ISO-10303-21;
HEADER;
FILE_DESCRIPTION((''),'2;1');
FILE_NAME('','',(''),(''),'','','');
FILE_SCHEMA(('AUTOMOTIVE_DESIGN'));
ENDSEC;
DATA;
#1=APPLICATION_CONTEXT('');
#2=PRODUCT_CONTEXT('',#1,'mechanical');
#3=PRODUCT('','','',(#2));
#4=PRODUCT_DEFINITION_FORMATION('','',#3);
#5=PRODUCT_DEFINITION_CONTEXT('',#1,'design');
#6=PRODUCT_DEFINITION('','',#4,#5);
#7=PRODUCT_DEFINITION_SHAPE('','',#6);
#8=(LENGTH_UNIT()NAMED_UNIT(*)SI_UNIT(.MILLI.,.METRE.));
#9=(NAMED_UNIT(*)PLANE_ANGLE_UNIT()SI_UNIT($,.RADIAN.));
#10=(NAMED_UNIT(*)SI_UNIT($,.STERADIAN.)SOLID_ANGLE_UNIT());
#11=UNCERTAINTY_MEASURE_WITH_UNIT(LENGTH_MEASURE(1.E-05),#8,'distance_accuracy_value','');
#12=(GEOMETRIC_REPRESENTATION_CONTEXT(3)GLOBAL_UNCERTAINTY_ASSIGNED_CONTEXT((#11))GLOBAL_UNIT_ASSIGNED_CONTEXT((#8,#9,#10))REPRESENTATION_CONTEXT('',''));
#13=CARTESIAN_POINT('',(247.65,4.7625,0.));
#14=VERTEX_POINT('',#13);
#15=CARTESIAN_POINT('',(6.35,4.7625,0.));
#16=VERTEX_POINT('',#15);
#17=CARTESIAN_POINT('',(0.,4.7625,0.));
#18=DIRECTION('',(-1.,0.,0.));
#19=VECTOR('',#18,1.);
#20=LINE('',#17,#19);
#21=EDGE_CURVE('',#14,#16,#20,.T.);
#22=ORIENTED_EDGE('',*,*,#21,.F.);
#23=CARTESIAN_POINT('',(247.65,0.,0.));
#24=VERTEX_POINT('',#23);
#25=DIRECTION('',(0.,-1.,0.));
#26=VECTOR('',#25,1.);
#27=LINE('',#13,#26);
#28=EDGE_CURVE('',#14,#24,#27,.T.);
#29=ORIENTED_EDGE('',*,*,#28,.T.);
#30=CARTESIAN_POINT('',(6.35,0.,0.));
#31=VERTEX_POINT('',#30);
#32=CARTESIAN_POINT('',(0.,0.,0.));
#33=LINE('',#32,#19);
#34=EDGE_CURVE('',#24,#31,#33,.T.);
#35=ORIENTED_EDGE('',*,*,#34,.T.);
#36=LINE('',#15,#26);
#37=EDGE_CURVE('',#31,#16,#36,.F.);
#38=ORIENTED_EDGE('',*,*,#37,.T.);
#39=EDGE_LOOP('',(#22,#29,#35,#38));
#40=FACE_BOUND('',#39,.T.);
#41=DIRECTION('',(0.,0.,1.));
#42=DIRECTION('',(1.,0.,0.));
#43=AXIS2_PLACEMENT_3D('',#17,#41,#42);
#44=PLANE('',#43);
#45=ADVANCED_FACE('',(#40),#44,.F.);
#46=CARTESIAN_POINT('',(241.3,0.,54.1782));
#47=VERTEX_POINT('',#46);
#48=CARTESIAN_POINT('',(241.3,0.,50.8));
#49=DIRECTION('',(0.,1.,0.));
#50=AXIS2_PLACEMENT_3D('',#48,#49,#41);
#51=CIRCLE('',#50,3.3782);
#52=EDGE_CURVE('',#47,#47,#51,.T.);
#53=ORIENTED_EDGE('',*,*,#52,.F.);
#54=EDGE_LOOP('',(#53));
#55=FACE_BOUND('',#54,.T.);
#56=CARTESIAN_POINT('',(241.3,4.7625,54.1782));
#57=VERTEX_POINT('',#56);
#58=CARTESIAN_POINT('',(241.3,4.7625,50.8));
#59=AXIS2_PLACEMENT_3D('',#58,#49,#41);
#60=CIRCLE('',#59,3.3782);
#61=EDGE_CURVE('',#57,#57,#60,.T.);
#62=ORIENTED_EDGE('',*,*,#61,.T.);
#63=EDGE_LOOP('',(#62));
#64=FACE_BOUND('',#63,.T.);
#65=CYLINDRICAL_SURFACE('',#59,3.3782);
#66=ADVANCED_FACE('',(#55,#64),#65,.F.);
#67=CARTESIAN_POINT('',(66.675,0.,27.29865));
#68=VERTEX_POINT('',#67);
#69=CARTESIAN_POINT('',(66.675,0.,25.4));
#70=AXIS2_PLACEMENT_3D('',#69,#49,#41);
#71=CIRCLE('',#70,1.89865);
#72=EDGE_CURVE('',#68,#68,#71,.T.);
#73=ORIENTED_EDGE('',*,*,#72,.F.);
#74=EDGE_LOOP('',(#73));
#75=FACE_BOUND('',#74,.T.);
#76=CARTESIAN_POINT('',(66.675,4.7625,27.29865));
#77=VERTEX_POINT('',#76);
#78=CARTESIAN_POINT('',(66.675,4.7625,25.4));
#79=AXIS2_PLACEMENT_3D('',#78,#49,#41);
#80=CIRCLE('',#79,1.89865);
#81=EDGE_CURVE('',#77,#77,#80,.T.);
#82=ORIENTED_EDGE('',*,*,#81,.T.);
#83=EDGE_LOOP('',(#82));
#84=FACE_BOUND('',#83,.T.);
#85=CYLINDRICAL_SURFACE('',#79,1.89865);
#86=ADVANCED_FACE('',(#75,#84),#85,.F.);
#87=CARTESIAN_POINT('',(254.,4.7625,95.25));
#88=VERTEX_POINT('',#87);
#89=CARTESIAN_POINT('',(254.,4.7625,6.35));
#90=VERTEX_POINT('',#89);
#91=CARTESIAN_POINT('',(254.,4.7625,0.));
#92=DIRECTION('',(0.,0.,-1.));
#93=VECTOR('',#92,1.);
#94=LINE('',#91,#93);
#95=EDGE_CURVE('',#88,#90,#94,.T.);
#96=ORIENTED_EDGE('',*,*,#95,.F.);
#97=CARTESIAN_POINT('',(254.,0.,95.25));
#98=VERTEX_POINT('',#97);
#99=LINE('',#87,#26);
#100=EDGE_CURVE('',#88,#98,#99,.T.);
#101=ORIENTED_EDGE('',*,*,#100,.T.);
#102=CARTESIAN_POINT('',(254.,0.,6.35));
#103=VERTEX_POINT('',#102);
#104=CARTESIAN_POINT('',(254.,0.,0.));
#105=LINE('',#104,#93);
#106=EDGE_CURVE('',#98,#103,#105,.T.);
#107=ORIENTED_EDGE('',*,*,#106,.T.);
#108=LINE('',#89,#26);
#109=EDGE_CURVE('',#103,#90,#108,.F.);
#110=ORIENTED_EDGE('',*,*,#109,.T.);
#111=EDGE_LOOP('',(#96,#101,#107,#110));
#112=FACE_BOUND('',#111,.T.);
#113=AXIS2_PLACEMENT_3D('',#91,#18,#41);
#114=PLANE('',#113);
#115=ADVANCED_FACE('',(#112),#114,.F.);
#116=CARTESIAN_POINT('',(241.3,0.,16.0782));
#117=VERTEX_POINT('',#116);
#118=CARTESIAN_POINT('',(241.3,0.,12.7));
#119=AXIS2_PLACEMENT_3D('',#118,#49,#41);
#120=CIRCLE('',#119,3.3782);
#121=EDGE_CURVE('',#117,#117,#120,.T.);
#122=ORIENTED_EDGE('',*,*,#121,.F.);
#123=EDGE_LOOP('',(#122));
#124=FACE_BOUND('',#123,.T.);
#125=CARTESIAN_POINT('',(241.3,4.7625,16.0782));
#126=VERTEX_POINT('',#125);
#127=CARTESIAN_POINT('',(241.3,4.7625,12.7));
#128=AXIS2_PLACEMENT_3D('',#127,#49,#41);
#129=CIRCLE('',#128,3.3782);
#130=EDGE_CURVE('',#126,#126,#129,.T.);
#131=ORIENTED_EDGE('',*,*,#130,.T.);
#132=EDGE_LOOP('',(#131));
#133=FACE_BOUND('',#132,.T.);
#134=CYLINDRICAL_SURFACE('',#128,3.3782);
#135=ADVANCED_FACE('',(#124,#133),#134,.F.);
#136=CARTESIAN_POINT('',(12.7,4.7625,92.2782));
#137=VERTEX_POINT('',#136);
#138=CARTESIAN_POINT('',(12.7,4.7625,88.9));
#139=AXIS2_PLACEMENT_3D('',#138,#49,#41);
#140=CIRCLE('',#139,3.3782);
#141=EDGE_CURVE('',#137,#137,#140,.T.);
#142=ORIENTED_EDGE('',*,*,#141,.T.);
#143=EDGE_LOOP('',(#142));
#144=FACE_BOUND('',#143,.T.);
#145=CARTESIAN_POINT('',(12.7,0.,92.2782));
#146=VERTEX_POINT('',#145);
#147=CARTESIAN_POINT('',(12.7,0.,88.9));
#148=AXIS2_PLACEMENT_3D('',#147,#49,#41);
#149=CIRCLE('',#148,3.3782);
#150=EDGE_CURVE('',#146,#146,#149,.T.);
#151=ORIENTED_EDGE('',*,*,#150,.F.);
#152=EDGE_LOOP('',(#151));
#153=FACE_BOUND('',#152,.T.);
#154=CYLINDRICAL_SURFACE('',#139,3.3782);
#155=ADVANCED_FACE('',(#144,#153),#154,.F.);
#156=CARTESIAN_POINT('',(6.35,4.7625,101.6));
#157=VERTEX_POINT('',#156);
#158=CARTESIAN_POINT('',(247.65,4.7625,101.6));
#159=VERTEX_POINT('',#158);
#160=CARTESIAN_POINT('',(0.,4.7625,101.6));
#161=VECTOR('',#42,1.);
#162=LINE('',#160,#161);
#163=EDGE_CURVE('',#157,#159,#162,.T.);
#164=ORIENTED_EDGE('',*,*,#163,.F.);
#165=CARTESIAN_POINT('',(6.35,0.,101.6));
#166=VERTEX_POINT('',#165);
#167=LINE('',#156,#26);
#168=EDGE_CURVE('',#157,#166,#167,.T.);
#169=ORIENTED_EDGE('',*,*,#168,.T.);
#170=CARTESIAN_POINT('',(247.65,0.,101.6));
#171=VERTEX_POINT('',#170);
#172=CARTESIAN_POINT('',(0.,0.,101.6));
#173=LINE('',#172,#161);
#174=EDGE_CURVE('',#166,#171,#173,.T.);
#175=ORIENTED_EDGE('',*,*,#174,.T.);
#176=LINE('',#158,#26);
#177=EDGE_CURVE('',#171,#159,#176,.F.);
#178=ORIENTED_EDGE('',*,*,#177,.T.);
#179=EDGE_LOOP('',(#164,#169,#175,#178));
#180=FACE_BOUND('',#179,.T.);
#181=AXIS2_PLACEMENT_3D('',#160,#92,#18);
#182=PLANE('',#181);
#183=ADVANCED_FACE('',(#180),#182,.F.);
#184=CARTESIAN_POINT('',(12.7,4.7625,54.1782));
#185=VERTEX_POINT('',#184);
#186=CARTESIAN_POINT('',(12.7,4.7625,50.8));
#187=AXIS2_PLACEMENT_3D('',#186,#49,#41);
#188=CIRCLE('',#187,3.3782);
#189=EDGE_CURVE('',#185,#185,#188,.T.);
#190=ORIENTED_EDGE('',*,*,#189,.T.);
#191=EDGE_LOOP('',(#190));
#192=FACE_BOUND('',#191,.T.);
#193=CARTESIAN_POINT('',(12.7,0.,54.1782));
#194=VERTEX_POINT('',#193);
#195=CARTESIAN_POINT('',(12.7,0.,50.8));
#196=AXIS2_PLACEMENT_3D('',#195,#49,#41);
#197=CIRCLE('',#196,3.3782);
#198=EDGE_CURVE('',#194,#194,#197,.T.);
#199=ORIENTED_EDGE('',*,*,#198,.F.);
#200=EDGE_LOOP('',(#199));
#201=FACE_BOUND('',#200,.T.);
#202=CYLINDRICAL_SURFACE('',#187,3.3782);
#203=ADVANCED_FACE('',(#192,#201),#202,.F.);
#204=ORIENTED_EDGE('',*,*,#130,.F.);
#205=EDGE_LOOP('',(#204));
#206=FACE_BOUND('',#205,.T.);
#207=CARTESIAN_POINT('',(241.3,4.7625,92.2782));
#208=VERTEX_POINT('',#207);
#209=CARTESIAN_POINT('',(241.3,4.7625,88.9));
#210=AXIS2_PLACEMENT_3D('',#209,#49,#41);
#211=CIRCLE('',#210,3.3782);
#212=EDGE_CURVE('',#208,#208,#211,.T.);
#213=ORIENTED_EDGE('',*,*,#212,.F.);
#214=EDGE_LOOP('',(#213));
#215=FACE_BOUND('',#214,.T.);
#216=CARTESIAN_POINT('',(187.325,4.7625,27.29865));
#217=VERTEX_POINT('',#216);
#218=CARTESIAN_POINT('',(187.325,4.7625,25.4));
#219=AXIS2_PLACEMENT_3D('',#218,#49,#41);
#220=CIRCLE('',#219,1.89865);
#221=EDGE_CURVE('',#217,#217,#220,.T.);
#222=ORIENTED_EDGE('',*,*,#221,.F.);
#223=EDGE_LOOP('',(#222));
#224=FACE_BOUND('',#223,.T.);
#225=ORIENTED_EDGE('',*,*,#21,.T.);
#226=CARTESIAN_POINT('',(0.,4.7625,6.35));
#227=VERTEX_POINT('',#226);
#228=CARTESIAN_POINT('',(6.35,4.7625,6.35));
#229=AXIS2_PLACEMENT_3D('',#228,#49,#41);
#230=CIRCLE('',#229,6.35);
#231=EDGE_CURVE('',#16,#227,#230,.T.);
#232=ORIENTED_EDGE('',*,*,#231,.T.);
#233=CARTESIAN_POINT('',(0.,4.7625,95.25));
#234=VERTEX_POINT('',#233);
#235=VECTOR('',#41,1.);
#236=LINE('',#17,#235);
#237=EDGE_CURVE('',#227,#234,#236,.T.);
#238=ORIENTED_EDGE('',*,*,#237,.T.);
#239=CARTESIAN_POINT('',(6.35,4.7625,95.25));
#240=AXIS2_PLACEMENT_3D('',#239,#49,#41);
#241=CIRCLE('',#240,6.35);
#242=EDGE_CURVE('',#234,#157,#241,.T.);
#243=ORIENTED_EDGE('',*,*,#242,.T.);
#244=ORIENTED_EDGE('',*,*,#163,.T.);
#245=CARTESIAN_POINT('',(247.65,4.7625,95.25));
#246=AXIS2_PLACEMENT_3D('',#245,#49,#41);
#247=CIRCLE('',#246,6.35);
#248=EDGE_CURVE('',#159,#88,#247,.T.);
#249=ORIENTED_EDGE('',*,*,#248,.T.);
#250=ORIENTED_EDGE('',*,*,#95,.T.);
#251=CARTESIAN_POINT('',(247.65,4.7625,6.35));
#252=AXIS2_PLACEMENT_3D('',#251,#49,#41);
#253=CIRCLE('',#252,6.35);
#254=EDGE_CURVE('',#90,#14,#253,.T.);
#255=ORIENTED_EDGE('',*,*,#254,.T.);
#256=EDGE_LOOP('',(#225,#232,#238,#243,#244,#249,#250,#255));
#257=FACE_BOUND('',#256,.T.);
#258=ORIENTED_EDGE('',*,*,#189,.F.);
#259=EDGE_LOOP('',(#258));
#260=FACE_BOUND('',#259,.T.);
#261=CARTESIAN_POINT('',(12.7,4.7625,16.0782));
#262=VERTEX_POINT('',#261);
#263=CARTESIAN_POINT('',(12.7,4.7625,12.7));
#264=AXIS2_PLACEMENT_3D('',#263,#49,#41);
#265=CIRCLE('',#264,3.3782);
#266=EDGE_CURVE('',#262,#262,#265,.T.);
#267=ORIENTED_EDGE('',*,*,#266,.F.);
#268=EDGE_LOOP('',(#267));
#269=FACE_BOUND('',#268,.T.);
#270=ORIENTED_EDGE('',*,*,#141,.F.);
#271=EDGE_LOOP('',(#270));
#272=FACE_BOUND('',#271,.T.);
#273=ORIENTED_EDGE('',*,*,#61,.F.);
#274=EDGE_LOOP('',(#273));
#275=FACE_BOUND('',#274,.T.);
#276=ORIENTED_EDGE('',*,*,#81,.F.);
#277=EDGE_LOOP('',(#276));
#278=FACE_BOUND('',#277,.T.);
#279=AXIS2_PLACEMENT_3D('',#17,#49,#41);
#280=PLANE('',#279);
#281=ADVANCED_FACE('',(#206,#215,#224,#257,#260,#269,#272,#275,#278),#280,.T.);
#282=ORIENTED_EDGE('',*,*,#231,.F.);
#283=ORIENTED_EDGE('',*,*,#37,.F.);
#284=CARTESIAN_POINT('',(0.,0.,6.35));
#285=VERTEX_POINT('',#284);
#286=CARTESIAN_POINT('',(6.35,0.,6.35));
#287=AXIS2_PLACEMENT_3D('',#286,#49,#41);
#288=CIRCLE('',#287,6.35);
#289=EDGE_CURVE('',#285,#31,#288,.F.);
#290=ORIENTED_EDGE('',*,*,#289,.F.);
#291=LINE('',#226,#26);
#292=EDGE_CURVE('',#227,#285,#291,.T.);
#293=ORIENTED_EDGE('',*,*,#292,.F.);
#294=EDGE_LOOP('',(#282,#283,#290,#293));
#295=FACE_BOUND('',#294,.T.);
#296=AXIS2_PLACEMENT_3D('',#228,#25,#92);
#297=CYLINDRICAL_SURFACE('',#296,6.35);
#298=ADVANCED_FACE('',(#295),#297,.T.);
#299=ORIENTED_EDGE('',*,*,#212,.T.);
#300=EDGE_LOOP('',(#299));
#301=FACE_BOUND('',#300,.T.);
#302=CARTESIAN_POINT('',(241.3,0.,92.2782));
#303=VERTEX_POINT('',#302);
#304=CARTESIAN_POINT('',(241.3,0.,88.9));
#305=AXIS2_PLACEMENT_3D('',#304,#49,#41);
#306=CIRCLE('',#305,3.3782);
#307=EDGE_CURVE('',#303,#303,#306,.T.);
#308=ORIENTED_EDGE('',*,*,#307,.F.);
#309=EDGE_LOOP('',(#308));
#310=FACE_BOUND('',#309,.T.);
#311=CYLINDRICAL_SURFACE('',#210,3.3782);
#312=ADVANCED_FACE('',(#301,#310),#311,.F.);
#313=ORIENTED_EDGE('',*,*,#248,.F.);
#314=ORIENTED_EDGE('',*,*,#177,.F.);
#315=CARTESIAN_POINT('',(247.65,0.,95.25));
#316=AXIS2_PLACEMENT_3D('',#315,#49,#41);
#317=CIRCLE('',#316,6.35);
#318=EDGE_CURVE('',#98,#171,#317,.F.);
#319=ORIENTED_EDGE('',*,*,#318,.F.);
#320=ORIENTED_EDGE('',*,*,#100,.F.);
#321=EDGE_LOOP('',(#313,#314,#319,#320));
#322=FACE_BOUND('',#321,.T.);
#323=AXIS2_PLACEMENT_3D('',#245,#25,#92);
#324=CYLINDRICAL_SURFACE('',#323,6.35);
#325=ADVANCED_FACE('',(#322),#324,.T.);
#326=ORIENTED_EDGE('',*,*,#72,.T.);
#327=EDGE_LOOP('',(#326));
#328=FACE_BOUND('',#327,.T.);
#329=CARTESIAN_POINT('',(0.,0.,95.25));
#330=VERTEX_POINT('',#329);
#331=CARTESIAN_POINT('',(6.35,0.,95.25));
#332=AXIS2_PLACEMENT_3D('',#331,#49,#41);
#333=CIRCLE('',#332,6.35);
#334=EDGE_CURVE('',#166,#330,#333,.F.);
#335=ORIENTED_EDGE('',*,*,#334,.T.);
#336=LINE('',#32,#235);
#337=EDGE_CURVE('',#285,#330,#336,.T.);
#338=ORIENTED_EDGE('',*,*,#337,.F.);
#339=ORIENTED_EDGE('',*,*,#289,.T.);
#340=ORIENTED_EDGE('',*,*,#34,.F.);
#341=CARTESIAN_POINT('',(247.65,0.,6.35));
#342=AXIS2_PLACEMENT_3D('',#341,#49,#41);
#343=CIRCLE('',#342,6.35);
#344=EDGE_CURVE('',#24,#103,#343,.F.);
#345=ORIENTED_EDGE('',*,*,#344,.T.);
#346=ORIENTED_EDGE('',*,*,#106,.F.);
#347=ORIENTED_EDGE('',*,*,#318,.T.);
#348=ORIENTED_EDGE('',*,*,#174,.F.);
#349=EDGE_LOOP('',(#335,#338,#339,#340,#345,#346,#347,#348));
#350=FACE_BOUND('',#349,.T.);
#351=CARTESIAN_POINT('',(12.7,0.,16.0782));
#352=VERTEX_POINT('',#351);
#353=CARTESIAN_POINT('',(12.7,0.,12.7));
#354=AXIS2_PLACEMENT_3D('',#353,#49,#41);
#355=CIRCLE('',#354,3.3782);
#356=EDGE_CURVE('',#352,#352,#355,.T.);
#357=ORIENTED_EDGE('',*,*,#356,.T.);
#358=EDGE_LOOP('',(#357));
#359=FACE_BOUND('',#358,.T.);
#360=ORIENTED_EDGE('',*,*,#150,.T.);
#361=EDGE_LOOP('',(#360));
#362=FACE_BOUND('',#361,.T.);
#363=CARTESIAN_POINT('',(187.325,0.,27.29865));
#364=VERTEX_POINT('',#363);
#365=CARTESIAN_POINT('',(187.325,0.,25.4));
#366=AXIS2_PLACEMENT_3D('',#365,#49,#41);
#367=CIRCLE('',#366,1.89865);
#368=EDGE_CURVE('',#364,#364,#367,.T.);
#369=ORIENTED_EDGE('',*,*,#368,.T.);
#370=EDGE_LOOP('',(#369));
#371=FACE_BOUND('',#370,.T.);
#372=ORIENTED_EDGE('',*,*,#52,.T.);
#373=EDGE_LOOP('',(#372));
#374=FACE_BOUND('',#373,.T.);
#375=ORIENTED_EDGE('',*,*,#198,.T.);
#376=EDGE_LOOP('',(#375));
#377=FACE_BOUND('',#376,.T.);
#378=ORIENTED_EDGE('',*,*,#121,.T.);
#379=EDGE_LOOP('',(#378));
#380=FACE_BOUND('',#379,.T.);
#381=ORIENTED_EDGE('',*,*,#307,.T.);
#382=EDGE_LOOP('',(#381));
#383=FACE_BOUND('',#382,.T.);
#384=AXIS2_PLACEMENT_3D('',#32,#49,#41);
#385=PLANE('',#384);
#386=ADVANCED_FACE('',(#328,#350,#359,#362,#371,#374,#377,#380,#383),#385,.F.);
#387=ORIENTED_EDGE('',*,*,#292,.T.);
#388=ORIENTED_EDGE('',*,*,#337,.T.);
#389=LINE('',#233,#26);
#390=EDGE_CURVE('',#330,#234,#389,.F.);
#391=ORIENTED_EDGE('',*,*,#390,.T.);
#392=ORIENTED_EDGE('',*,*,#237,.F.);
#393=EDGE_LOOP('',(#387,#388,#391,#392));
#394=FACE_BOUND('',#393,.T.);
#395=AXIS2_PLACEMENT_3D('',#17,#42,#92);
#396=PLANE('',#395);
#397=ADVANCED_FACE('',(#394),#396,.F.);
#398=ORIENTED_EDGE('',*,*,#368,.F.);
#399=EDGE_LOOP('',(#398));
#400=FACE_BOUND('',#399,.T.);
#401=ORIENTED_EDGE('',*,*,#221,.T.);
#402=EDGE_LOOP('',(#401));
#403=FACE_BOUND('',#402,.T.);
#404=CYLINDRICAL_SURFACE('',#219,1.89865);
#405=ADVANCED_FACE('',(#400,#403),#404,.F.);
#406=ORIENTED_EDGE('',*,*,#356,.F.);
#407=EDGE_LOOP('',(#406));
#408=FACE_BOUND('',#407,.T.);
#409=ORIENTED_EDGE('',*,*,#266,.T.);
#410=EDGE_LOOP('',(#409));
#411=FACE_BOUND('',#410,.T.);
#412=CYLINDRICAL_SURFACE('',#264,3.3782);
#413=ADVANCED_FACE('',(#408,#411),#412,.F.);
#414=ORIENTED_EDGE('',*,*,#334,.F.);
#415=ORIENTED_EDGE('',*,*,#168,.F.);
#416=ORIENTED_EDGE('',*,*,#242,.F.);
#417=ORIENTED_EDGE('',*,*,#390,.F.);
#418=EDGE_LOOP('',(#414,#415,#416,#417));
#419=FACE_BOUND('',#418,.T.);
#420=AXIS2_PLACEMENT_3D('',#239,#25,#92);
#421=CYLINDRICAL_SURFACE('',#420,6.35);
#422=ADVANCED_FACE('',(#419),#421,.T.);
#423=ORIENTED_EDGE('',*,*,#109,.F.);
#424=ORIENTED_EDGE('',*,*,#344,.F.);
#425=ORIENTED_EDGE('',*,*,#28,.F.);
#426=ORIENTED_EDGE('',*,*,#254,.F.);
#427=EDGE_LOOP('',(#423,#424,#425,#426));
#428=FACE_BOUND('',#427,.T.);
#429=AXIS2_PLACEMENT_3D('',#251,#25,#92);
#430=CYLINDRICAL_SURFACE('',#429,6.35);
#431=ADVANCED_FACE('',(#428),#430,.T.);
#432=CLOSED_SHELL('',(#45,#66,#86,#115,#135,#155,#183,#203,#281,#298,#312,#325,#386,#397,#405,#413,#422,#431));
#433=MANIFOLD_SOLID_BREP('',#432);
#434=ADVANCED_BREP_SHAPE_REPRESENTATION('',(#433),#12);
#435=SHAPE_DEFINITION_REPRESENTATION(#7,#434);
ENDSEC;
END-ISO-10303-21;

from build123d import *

# Parameters (mm, degrees)
SKETCH2_W               = 254
SKETCH2_H               = 101.6
BOSS_EXTRUDE1_DEPTH     = 4.7625
FILLET1_R               = 6.35
F_6_CLEARANCE_HOLE1_D   = 3.7973
F_1_4_CLEARANCE_HOLE1_D = 6.7564


with BuildPart() as part:
    # Sketch2 → Boss-Extrude1 (new body)
    with BuildSketch(Plane(origin=(0, 0, 0), x_dir=(1, 0, 0), z_dir=(0, 1, 0))):
        with Locations((127, -50.8)):
            Rectangle(SKETCH2_W, SKETCH2_H)
    extrude(amount=BOSS_EXTRUDE1_DEPTH)

    # Fillet1
    fillet1_edges = [part.edges().sort_by_distance(p)[0] for p in [
        (0, 2.38125, 0),
        (254, 2.38125, 0),
        (254, 2.38125, 101.6),
        (0, 2.38125, 101.6),
    ]]
    fillet(fillet1_edges, radius=FILLET1_R)

    # #6 Clearance Hole1 (through all)
    with Locations(Plane(origin=(0, 4.7625, 0), x_dir=(1, 0, 0), z_dir=(0, 1, 0))):
        with Locations((66.675, -25.4), (187.325, -25.4)):
            Hole(F_6_CLEARANCE_HOLE1_D / 2)

    # 1/4 Clearance Hole1 (through all)
    with Locations(Plane(origin=(0, 4.7625, 0), x_dir=(1, 0, 0), z_dir=(0, 1, 0))):
        with Locations((12.7, -12.7), (12.7, -88.9), (241.3, -88.9), (241.3, -12.7), (12.7, -50.8), (241.3, -50.8)):
            Hole(F_1_4_CLEARANCE_HOLE1_D / 2)


solid = part.part
